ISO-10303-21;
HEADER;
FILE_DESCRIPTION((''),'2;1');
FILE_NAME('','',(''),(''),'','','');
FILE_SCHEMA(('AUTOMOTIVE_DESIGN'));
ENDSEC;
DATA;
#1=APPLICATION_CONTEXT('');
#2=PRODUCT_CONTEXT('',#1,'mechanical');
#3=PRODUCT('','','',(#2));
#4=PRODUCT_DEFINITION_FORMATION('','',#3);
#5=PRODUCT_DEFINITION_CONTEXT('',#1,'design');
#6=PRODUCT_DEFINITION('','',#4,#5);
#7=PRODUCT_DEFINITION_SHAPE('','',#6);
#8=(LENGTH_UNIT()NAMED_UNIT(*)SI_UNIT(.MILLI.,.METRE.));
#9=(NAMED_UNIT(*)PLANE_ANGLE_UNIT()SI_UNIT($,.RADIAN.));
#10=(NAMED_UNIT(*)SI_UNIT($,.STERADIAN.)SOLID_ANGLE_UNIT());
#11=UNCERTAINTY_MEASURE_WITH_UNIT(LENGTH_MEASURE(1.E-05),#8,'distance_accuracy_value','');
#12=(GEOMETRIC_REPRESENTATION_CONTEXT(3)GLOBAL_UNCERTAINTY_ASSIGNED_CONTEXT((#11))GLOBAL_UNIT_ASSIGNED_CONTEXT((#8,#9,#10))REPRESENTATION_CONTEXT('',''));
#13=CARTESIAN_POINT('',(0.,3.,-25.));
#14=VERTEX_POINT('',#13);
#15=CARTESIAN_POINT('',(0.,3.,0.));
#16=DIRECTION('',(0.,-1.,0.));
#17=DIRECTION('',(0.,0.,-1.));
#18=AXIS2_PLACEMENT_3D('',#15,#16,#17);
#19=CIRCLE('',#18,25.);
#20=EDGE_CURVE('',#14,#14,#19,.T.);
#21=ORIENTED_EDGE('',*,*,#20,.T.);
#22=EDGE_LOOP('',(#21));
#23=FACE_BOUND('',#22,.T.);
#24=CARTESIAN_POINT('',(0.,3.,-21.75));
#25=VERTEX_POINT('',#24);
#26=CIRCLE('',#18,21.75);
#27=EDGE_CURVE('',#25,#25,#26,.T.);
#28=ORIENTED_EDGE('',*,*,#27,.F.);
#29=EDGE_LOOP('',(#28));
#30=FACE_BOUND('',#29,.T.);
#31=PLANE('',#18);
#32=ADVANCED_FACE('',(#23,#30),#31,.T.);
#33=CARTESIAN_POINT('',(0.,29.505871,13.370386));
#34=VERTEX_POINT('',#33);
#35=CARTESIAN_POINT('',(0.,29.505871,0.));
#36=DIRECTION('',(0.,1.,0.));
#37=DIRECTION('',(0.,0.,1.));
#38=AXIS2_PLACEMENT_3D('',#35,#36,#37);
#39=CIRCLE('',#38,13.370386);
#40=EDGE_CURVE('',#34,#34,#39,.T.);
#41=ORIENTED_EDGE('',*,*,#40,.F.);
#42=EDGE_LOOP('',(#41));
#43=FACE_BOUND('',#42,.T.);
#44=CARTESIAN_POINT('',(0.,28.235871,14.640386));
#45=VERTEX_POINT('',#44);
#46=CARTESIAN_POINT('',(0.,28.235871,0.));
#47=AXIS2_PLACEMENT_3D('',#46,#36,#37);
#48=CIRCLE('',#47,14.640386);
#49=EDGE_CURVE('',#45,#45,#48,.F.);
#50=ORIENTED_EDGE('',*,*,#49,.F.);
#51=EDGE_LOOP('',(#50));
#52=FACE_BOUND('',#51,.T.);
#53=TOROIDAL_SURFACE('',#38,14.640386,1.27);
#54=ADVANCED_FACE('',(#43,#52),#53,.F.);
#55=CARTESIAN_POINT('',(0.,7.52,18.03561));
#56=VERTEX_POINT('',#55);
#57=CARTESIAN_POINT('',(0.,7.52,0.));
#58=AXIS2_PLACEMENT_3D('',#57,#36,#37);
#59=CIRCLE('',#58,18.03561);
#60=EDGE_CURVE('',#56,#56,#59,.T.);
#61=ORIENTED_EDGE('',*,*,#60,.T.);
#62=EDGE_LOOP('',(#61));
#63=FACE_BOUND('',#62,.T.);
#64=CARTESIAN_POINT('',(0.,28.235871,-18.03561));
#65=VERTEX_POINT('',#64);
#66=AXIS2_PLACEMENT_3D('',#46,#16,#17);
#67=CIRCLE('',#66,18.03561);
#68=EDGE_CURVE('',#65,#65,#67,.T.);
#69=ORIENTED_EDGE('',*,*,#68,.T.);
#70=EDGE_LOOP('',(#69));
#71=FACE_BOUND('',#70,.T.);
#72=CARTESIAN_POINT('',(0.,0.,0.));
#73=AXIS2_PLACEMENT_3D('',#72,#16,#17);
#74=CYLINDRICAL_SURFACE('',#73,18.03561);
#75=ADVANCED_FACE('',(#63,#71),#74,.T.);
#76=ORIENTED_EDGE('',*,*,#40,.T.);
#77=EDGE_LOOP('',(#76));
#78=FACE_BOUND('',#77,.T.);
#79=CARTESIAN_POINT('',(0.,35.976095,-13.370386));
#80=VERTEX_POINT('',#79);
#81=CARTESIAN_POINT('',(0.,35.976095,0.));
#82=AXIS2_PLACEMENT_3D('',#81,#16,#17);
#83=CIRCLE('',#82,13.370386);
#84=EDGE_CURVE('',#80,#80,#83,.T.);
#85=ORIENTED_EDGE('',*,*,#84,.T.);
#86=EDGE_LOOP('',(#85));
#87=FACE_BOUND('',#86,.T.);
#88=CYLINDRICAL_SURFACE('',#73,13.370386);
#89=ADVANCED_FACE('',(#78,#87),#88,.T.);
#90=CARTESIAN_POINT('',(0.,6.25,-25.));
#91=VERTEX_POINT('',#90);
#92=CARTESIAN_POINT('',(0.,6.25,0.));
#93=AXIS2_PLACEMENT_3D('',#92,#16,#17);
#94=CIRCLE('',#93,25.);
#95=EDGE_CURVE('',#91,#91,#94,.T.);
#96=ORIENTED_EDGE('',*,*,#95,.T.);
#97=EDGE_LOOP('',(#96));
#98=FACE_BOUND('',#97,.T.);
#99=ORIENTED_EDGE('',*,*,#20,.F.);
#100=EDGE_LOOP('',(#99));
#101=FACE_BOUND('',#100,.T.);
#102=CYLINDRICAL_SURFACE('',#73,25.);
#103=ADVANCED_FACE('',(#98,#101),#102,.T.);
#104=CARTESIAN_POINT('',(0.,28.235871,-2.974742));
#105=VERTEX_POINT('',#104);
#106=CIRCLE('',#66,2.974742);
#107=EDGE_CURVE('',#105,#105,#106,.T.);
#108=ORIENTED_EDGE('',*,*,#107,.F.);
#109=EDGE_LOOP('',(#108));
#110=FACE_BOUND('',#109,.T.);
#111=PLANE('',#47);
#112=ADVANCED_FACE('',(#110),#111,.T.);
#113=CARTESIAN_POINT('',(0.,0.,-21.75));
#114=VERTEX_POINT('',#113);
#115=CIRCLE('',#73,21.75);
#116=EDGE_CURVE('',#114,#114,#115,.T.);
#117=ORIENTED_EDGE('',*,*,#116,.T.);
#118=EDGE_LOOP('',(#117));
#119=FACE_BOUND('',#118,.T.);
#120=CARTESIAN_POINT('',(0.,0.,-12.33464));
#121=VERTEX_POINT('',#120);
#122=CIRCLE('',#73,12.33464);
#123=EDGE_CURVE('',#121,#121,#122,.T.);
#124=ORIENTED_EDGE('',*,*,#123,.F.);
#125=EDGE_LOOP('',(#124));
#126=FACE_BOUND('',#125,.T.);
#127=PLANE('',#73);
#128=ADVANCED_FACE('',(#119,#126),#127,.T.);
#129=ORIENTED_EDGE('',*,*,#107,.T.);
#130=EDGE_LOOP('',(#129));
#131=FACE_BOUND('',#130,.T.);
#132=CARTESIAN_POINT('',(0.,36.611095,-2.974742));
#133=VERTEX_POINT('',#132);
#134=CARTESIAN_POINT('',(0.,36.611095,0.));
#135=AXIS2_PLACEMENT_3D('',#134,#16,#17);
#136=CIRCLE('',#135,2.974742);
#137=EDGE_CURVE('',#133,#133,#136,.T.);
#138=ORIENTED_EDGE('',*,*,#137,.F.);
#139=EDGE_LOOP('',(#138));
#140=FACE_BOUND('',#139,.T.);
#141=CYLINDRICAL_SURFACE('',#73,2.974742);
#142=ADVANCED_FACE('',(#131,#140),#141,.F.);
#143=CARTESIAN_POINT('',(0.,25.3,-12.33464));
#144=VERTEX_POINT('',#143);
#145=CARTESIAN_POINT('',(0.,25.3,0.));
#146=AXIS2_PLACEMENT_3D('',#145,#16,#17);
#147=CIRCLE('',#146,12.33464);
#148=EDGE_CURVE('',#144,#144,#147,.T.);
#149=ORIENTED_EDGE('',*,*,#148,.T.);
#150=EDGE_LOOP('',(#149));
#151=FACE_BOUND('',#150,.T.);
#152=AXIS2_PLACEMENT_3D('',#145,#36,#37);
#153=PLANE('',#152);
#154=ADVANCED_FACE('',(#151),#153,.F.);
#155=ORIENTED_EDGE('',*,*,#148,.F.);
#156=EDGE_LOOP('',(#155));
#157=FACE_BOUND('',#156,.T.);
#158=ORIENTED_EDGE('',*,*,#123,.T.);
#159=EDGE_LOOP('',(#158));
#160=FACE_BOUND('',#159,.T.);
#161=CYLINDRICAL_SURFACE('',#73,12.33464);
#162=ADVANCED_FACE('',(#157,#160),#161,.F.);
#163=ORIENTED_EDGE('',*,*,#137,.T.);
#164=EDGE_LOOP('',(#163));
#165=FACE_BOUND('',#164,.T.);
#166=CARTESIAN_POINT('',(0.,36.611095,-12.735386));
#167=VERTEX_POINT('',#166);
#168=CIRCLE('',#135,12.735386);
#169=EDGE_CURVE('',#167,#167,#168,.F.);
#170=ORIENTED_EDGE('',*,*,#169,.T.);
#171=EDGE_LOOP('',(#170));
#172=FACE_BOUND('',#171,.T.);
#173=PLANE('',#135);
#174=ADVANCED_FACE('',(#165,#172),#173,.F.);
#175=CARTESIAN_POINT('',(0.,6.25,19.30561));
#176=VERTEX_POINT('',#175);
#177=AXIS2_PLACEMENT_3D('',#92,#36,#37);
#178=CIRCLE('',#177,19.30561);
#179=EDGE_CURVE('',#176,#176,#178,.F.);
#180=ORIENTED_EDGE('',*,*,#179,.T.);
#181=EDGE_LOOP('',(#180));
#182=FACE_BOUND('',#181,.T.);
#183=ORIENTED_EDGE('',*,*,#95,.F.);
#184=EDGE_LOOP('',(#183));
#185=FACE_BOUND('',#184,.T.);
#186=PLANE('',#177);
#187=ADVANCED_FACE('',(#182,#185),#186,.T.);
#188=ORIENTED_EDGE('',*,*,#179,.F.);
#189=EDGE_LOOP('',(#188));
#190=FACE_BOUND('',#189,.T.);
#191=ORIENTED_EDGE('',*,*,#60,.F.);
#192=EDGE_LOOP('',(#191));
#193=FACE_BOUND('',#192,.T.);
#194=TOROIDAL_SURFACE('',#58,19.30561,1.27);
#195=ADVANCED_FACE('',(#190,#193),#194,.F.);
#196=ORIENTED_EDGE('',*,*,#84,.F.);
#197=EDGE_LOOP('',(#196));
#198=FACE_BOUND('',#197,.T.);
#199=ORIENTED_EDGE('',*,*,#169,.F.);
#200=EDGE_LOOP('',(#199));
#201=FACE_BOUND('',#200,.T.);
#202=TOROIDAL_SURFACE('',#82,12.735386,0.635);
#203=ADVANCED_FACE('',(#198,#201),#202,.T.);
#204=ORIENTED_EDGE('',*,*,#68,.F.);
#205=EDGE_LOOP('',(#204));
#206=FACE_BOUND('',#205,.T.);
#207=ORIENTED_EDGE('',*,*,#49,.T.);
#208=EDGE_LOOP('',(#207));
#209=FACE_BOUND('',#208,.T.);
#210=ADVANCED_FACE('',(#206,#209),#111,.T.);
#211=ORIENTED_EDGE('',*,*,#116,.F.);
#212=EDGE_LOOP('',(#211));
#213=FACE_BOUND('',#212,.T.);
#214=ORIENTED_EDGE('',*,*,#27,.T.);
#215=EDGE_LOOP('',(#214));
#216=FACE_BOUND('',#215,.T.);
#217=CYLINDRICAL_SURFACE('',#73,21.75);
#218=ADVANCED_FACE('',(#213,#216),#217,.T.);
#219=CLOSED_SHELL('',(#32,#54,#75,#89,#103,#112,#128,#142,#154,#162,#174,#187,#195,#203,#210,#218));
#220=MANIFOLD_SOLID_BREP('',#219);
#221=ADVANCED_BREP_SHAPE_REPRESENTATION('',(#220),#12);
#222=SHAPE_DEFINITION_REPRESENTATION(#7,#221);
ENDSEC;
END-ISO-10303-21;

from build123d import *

# Parameters (mm, degrees)
FILLET2_R = 1.27
FILLET3_R = 0.635


with BuildPart() as part:
    # Sketch1 → Revolve4 (revolve)
    with BuildSketch(Plane.XY):
        Polygon((12.334639896, 0), (21.75, 0), (21.75, 3), (25, 3), (25, 6.25), (18.035610483, 6.25), (18.035610483, 28.23587128), (13.370385965, 28.23587128), (13.370385965, 36.611095198), (2.974741934, 36.611095198), (2.974741934, 28.23587128), (0, 28.23587128), (0, 25.3), (2.830568931, 25.3), (2.974741934, 25.3), (12.334639896, 25.3), align=None)
    revolve(axis=Axis((0, 0, 0), (0, 1, 0)))

    # Fillet2
    fillet2_edges = [part.edges().sort_by_distance(p)[0] for p in [
        (-13.370385965, 28.23587128, 0),
        (-18.035610483, 6.25, 0),
    ]]
    fillet(fillet2_edges, radius=FILLET2_R)

    # Fillet3
    fillet3_edges = [part.edges().sort_by_distance(p)[0] for p in [
        (-13.370385965, 36.611095198, 0),
    ]]
    fillet(fillet3_edges, radius=FILLET3_R)


solid = part.part
